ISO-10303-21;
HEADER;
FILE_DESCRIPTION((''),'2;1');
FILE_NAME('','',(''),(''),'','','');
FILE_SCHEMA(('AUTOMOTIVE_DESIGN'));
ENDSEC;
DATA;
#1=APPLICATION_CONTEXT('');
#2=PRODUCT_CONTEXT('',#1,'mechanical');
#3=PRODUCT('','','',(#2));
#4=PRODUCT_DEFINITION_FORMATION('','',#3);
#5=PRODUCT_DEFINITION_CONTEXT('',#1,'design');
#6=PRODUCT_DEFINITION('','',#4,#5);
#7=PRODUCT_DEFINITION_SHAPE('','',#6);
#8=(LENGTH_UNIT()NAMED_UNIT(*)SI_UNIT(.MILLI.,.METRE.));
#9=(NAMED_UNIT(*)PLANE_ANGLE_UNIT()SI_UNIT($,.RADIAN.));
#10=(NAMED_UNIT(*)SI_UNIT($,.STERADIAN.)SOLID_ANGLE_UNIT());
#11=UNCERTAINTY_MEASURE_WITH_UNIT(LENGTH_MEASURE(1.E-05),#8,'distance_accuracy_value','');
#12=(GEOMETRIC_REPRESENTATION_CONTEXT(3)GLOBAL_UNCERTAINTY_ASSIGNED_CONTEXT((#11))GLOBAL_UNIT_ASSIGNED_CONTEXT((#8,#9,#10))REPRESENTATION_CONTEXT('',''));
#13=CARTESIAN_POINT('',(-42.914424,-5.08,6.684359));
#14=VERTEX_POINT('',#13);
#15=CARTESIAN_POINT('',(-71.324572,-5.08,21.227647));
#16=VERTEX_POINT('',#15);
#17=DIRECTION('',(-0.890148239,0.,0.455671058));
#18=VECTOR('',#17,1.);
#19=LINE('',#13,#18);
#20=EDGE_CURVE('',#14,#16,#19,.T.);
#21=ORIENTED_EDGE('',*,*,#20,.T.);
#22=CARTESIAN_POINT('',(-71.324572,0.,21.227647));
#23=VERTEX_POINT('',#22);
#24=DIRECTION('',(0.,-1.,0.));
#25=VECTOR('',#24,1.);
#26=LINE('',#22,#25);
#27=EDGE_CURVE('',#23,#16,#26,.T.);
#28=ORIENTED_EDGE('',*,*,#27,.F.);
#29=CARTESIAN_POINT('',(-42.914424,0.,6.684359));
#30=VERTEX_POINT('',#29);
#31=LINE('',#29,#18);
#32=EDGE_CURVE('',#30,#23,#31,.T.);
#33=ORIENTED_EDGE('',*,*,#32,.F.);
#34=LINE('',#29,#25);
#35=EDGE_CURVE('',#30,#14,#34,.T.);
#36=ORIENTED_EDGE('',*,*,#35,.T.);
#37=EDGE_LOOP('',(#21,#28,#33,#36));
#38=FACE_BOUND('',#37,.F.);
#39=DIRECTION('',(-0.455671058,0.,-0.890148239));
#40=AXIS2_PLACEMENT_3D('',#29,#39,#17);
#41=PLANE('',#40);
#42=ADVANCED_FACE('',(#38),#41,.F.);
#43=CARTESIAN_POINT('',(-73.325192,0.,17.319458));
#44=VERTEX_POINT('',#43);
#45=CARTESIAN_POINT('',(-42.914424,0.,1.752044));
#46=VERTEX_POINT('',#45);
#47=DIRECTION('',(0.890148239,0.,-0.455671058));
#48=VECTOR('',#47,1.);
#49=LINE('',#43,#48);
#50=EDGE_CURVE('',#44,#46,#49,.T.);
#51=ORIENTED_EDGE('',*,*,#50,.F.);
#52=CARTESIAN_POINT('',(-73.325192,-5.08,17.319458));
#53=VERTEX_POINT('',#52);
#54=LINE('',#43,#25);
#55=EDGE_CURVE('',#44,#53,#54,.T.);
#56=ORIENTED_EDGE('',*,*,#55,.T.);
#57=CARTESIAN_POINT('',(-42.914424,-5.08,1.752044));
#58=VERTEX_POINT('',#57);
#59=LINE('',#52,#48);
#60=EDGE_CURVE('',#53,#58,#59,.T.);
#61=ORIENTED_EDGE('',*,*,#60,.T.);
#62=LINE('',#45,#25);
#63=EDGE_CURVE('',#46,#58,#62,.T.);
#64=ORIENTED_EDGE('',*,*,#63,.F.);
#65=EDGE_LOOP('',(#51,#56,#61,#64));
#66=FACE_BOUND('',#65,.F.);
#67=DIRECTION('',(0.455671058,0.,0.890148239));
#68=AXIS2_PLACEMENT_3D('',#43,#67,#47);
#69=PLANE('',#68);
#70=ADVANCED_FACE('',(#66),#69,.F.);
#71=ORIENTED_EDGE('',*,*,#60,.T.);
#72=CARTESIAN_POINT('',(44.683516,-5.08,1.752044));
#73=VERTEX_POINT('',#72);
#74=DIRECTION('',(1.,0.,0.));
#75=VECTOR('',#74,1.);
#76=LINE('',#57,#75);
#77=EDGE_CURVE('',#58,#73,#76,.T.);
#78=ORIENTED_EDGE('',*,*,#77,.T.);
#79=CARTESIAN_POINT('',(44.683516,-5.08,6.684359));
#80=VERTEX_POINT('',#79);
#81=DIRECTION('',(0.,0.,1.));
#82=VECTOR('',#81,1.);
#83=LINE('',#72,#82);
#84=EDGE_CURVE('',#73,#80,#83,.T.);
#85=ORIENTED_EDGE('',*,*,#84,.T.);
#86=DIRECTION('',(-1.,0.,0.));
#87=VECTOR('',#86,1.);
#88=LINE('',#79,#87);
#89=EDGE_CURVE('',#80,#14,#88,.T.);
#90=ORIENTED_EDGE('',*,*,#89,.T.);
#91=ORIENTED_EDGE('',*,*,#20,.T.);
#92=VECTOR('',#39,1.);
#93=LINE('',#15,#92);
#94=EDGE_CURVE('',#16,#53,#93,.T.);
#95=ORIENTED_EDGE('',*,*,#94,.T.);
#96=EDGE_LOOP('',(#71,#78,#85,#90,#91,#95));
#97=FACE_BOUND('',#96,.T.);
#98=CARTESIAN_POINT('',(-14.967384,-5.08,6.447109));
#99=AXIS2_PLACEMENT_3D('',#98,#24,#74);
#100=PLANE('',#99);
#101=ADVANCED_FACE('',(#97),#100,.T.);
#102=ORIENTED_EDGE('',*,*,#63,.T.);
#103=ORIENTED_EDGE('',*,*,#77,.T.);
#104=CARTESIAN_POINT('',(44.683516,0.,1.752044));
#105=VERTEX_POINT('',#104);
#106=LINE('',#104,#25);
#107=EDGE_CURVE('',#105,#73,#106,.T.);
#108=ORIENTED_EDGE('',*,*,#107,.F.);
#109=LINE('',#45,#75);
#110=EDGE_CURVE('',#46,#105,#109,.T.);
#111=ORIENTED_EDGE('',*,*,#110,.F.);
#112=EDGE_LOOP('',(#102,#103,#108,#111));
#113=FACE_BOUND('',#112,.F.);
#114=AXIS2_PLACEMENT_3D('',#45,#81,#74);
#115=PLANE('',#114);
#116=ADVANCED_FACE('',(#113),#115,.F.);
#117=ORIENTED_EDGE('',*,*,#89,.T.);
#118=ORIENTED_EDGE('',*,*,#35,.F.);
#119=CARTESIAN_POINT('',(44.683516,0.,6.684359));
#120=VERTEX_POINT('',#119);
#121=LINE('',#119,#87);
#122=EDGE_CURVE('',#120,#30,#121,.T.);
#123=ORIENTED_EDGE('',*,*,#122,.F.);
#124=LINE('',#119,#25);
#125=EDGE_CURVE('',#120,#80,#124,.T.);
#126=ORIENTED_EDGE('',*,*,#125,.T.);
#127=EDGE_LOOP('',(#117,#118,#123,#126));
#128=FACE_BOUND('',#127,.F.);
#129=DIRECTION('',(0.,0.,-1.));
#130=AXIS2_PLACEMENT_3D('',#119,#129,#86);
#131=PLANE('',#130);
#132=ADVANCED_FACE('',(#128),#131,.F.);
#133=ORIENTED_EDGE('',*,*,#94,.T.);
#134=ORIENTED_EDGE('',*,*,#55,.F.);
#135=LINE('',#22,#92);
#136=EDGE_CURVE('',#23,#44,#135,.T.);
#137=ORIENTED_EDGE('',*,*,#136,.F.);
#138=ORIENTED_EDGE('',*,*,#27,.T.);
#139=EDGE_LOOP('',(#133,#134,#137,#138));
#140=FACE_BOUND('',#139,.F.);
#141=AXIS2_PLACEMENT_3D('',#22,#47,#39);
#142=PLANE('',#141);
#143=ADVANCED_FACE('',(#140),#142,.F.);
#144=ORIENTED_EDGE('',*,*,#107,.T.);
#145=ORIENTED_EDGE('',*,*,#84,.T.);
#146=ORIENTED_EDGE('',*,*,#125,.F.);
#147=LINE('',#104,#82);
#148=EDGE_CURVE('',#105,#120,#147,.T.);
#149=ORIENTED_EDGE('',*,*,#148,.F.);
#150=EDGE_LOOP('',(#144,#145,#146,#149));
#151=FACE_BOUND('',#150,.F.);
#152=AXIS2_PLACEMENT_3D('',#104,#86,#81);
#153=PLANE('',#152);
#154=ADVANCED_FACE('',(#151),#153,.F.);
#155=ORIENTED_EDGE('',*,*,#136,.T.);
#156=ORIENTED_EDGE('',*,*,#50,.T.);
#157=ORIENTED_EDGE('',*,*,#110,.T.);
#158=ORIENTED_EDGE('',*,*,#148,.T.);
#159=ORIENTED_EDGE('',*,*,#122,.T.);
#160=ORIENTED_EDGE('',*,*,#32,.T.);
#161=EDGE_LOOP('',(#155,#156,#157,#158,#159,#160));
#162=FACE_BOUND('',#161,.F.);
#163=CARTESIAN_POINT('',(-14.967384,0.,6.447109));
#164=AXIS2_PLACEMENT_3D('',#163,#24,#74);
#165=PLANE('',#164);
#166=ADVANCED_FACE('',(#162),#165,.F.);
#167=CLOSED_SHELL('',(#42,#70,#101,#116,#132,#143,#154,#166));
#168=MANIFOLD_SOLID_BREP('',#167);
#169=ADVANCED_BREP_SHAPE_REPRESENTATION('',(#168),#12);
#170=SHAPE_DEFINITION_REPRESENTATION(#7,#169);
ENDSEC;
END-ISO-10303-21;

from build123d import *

# Parameters (mm, degrees)
F1_DEPTH = 5.08
F4_DEPTH = 5.08


with BuildPart() as f1:
    # F0 (on Front) → F1 (new body)
    with BuildSketch(Plane.XZ):
        Polygon((47.7003678679, -8.732332848), (46.3905222714, -5.2393996157), (-41.3694269955, -5.2393996157), (-79.3550759554, 16.3731239736), (-81.8319656057, 12.019802605), (-41.3694269955, -8.732332848), align=None)
    extrude(amount=F1_DEPTH)


with BuildPart() as f4:
    # F3 (on Front) → F4 (new body)
    with BuildSketch(Plane.XZ):
        Polygon((44.6835160255, 1.7520437361), (44.6835160255, 6.6843586974), (-42.9144240916, 6.6843586974), (-71.3245719671, 21.2276466191), (-73.3251918619, 17.3194583635), (-42.9144240916, 1.7520437361), align=None)
    extrude(amount=F4_DEPTH)


solid = f4.part
